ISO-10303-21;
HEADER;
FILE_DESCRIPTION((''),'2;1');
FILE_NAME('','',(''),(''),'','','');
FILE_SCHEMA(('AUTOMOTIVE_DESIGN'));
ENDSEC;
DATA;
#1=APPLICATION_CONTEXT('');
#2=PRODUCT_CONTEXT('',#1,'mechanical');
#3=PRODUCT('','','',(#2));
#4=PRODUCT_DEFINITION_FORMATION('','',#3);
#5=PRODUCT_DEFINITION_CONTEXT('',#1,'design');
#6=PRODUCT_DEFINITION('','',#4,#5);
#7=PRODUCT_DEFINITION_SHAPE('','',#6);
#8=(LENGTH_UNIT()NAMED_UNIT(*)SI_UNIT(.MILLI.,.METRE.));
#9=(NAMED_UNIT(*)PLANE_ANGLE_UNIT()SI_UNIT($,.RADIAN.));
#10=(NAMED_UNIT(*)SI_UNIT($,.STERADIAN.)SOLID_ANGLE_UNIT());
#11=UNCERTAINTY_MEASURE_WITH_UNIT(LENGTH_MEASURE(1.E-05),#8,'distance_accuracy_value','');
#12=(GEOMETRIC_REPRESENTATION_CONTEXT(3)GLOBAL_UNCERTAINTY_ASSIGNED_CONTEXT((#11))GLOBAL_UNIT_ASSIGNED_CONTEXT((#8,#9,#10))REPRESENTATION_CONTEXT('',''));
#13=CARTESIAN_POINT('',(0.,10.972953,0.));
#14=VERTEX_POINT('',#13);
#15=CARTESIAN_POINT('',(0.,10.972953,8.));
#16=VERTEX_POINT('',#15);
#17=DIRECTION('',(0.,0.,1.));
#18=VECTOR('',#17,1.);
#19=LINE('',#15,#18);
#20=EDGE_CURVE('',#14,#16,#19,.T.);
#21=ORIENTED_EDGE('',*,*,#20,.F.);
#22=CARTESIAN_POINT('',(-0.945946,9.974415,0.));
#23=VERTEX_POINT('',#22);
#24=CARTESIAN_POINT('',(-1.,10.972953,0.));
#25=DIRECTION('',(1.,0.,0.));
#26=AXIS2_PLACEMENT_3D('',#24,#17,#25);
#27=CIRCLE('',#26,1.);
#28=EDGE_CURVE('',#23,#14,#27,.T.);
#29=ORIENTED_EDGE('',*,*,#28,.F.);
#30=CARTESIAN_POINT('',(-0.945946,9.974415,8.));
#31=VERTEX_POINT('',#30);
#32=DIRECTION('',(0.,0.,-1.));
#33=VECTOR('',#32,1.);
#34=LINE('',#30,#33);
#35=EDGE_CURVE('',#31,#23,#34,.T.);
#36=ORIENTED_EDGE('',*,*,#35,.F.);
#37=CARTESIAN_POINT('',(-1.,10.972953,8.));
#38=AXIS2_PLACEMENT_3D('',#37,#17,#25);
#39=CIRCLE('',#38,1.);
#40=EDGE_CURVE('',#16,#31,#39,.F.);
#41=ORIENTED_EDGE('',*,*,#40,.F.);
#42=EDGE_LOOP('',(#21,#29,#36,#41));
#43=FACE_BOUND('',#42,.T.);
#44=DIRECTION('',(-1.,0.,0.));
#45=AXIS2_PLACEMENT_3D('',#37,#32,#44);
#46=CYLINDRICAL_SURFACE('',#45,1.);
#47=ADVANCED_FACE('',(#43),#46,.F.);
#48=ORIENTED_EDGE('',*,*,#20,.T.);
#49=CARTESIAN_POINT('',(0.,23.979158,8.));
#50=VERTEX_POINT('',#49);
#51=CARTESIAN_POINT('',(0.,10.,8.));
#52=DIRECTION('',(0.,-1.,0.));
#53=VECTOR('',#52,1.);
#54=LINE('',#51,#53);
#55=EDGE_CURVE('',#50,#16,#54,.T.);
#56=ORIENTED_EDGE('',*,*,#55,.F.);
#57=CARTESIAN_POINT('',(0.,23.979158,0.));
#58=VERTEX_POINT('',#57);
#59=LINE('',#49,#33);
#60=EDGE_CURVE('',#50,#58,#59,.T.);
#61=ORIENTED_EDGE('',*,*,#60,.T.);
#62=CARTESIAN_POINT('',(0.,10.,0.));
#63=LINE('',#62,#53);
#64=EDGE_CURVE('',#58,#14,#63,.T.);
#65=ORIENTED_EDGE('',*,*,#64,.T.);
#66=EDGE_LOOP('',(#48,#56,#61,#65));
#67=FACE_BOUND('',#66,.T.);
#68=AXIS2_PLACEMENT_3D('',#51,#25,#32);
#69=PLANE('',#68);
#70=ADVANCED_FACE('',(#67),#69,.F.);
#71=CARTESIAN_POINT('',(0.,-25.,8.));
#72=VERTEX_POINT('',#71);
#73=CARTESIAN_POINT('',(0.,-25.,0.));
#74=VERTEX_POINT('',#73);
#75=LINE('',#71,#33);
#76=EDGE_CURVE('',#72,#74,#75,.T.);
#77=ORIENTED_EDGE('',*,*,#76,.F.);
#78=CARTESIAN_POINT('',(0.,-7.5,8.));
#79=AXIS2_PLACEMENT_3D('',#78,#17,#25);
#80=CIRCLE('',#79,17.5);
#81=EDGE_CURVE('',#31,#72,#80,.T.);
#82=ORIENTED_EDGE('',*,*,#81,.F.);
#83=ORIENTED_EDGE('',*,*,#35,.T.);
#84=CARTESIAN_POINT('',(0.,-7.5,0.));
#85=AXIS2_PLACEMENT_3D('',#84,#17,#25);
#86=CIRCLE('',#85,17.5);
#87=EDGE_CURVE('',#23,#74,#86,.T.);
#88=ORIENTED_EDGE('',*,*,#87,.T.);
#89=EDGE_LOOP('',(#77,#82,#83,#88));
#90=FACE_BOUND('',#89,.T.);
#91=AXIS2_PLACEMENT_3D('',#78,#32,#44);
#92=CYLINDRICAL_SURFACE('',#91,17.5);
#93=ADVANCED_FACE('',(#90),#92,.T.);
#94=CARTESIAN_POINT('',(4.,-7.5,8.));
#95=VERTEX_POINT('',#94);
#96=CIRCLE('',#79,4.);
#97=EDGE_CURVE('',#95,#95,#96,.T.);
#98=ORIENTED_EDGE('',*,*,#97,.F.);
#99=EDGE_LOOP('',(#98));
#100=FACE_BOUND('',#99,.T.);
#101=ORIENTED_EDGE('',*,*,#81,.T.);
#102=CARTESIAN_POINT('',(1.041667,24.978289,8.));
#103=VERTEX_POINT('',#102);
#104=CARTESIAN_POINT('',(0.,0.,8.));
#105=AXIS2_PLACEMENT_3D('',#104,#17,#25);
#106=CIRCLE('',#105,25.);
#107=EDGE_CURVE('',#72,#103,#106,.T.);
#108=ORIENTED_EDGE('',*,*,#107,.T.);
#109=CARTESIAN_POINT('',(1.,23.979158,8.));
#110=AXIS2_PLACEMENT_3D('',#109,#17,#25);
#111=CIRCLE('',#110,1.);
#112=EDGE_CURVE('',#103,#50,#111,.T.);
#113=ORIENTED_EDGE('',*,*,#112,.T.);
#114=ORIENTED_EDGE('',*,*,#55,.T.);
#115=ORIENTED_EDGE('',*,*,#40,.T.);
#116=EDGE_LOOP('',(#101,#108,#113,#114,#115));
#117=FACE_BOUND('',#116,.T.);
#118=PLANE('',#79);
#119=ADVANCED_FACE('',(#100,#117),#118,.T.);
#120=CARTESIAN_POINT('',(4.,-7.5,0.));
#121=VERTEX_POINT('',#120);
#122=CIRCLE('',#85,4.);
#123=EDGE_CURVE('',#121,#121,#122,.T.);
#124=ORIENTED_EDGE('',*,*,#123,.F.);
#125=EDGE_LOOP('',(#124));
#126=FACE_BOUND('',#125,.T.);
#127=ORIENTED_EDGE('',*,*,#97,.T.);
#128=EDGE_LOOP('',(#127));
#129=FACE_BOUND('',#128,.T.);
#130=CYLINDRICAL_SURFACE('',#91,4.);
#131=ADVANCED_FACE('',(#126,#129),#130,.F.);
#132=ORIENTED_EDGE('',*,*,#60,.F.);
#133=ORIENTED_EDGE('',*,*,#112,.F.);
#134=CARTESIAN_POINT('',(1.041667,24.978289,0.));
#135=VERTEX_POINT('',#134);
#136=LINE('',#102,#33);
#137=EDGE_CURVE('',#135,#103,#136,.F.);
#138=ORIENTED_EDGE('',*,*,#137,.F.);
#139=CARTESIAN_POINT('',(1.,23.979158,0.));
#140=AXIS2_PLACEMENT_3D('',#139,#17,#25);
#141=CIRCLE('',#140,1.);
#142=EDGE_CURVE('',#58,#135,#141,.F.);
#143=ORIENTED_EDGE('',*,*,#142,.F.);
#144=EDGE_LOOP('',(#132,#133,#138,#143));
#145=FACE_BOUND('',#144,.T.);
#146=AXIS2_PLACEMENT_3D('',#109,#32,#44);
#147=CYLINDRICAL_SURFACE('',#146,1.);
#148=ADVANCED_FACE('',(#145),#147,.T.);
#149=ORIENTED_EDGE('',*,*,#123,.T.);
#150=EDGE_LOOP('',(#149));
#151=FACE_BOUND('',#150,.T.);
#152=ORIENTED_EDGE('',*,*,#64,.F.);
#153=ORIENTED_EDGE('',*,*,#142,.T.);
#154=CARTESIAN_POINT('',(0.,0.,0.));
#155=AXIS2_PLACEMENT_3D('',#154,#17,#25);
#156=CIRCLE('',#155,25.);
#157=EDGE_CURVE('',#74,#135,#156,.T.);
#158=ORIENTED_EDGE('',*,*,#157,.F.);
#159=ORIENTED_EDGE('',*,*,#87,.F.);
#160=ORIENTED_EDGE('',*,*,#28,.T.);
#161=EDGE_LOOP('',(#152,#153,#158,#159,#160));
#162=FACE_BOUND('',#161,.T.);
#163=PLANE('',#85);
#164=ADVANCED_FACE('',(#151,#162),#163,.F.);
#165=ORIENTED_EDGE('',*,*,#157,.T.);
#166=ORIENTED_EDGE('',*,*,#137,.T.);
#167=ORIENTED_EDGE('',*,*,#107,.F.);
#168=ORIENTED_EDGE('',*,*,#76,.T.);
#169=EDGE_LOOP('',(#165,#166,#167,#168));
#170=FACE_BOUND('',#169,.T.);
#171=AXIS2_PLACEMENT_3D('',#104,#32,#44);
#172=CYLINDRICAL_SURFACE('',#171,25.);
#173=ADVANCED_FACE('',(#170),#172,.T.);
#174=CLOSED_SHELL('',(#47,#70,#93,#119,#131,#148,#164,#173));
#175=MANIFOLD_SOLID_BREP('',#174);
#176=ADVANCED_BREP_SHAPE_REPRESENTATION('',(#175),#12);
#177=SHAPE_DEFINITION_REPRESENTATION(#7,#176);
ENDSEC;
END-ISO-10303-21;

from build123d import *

# Parameters (mm, degrees)
SKETCH1_R           = 4
BOSS_EXTRUDE1_DEPTH = 8
FILLET1_R           = 1


with BuildPart() as part:
    # Sketch1 → Boss-Extrude1 (new body)
    with BuildSketch(Plane.XY):
        with BuildLine():
            Line((0, 10), (0, 25))
            ThreePointArc((0, 25), (25, 0), (0, -25))
            ThreePointArc((0, -25), (-17.5, -7.5), (0, 10))
        make_face()
        with Locations((0, -7.5)):
            Circle(SKETCH1_R, mode=Mode.SUBTRACT)
    extrude(amount=BOSS_EXTRUDE1_DEPTH)

    # Fillet1
    fillet1_edges = [part.edges().sort_by_distance(p)[0] for p in [
        (0, 10, 4),
        (0, 25, 4),
    ]]
    fillet(fillet1_edges, radius=FILLET1_R)


solid = part.part
